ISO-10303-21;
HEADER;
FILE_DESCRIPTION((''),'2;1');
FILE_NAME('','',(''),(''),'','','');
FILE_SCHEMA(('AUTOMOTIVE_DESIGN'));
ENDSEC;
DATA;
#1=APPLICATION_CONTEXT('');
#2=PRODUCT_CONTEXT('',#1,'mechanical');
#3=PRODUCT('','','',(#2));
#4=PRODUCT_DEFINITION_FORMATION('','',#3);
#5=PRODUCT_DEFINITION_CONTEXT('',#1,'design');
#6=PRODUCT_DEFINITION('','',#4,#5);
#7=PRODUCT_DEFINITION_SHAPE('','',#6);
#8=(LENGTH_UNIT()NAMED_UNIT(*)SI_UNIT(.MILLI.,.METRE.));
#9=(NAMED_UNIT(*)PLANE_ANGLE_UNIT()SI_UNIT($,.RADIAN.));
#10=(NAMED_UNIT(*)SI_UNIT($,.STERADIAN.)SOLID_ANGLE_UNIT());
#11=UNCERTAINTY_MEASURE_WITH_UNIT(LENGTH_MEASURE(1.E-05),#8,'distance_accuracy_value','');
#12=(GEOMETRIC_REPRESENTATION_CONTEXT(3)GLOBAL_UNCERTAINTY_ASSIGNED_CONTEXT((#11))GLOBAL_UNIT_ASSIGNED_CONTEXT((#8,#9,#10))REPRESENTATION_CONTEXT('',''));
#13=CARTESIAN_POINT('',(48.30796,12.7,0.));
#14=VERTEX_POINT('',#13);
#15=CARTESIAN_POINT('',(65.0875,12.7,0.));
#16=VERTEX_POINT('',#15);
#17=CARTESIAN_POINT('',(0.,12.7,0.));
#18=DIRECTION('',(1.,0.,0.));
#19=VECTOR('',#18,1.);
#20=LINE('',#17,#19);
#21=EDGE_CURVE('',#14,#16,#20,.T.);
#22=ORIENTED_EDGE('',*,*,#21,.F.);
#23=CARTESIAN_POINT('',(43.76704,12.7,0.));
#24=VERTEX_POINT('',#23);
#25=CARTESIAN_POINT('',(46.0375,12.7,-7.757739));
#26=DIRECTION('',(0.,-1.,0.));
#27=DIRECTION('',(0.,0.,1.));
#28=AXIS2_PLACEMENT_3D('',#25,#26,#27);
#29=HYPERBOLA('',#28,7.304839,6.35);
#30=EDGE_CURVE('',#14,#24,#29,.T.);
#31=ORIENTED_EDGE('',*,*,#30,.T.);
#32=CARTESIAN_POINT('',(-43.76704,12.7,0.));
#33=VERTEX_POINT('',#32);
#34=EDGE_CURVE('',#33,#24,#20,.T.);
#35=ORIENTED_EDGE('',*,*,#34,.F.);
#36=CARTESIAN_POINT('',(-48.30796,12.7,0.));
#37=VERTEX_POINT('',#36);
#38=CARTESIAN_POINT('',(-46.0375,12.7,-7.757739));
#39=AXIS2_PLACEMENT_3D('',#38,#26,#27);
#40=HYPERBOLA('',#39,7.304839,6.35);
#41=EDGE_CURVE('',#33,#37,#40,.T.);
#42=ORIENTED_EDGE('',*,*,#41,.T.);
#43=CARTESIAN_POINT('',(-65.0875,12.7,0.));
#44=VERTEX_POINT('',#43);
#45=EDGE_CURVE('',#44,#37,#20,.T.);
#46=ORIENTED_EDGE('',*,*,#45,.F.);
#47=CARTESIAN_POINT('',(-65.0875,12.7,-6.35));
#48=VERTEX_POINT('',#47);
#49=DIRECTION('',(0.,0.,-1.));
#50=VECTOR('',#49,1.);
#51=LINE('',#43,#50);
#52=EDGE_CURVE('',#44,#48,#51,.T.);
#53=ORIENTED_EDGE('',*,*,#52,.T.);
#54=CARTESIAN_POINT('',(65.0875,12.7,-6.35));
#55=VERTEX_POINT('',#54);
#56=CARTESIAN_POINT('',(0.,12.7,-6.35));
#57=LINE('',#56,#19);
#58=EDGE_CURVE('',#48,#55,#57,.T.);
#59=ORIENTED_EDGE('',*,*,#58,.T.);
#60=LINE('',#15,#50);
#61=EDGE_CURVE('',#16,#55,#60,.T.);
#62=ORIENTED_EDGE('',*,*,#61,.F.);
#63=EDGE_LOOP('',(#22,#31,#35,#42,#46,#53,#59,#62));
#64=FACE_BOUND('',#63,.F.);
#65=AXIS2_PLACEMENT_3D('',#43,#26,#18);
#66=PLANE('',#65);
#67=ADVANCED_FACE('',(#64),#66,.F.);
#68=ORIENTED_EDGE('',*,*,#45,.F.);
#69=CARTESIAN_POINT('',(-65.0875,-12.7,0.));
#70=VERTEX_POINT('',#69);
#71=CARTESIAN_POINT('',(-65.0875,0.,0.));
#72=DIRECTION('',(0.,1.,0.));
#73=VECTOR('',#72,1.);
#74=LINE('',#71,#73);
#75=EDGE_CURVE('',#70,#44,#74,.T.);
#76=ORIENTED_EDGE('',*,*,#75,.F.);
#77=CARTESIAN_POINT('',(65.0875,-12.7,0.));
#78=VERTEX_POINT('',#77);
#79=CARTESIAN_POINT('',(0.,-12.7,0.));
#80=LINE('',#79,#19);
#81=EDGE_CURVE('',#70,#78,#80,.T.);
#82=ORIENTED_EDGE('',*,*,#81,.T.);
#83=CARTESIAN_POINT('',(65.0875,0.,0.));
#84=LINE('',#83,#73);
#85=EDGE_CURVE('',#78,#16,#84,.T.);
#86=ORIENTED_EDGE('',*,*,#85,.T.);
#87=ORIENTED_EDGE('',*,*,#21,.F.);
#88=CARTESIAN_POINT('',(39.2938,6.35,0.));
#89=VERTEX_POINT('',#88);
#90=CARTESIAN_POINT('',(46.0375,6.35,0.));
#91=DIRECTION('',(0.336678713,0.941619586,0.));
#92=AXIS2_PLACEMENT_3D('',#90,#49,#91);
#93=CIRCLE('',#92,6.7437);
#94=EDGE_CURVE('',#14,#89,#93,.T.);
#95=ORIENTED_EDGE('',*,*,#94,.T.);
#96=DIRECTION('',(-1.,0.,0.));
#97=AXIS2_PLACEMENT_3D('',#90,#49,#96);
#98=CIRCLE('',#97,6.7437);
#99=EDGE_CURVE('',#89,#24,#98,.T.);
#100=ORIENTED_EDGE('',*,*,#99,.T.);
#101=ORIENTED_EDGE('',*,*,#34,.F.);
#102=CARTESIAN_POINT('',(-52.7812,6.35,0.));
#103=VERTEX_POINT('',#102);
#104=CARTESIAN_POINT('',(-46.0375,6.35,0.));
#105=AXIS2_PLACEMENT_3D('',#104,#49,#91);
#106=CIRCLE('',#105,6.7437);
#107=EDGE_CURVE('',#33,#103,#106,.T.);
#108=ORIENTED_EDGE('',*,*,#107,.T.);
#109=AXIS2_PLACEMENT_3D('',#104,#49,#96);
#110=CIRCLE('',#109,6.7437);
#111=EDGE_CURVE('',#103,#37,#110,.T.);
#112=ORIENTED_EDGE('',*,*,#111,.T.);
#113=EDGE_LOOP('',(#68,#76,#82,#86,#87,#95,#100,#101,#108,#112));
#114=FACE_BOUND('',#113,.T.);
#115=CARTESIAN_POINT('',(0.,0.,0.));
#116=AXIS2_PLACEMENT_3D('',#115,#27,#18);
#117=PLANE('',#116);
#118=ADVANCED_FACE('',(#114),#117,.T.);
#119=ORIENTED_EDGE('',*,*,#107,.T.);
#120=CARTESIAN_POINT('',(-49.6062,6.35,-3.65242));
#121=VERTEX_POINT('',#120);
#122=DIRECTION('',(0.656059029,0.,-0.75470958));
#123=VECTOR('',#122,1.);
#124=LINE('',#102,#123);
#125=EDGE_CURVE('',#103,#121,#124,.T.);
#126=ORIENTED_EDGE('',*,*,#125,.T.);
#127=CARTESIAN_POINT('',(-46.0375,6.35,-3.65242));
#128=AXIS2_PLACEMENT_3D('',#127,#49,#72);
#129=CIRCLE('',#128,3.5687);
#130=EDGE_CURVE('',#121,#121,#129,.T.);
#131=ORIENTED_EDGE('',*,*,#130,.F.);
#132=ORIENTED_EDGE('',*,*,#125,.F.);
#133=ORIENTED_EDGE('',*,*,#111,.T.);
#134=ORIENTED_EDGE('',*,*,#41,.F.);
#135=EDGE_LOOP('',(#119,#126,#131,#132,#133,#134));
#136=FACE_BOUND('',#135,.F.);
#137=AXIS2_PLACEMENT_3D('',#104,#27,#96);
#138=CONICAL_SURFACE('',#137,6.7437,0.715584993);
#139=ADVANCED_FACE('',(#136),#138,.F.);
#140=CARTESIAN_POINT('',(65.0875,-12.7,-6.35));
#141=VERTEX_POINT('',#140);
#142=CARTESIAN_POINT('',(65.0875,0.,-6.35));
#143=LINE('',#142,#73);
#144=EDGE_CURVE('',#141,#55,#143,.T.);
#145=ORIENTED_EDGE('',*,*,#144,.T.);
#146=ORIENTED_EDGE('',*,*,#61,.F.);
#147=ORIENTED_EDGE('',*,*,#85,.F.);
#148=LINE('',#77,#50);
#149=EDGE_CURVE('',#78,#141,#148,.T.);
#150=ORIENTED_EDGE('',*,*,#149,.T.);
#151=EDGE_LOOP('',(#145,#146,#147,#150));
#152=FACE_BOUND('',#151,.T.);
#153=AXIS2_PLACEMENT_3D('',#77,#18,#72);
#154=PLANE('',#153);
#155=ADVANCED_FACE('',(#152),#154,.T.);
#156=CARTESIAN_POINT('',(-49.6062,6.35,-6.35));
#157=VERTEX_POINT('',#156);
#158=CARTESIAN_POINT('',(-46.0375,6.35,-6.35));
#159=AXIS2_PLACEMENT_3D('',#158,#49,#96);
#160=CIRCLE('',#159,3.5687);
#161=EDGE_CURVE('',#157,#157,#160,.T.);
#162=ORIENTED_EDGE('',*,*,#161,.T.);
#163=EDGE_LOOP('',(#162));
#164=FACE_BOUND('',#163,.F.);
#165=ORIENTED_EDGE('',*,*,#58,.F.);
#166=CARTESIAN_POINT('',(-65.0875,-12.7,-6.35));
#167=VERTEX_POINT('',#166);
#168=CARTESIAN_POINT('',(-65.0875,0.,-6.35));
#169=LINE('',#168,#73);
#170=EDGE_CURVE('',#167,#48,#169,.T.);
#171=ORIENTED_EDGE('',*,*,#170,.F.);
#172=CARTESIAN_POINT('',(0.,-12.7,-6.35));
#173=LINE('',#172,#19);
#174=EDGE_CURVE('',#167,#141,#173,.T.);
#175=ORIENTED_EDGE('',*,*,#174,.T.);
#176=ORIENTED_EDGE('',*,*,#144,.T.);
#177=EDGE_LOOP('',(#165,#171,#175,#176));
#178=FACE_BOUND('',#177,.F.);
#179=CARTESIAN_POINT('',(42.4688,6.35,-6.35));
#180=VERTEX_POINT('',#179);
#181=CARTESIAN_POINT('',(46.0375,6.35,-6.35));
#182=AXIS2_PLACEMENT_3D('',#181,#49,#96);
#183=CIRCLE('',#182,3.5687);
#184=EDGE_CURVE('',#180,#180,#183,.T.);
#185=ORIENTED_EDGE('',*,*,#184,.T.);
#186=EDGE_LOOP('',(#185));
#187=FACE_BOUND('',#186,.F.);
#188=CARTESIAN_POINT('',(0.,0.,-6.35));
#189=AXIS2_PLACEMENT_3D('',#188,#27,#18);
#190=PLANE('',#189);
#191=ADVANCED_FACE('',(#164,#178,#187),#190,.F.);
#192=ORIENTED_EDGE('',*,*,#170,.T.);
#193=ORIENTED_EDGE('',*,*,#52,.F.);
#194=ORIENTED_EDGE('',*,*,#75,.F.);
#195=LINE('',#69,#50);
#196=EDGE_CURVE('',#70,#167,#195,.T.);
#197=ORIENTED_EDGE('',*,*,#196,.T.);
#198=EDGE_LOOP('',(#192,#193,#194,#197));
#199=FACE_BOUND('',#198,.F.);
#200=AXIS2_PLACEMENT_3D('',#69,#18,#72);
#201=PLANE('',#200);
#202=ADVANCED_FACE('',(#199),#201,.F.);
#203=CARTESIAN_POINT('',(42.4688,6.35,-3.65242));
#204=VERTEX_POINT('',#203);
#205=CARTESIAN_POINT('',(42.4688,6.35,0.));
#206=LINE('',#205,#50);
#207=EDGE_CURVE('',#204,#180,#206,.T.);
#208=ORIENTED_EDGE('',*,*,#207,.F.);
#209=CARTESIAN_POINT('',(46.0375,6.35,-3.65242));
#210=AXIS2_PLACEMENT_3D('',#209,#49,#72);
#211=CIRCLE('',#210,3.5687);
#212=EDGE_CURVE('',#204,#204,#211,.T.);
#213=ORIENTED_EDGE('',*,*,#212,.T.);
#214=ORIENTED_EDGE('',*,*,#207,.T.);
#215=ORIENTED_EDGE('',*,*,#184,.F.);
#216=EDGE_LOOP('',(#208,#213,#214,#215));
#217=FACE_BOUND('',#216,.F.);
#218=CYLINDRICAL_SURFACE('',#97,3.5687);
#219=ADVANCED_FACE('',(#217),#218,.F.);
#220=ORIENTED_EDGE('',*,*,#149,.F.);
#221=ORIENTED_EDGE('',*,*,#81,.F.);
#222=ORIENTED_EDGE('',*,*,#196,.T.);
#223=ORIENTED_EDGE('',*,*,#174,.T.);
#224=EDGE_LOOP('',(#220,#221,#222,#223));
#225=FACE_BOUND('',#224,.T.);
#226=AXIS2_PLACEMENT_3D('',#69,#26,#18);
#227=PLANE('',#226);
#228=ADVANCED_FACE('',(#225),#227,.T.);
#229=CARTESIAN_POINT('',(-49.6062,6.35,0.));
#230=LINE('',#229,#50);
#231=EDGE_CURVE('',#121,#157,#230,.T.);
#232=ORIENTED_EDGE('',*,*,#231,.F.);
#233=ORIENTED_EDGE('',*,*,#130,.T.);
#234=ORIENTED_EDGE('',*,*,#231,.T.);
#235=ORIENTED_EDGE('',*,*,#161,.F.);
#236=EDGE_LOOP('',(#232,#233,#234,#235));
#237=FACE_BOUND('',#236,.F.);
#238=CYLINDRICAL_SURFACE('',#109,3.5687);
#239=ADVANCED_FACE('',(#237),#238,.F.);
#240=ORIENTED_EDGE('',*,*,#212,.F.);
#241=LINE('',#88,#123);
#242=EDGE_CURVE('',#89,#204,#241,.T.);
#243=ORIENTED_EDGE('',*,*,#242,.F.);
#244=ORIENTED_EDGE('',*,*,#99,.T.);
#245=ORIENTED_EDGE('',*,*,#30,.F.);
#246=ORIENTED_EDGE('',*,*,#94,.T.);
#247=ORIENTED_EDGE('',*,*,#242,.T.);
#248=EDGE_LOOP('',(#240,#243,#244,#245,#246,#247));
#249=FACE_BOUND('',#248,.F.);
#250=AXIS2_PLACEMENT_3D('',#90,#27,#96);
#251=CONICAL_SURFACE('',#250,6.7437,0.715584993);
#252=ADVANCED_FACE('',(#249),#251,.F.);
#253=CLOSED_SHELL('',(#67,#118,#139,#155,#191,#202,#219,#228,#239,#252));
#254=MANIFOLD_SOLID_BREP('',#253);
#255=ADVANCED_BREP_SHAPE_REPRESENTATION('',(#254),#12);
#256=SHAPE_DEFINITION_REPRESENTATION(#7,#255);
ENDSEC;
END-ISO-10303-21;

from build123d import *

# Parameters (mm, degrees)
F0_W           = 130.175
F0_H           = 25.4
F1_DEPTH       = 6.35
F2_D           = 7.1374
F2_DEPTH       = 29.6333418
F2_CSINK_D     = 13.4874
F2_CSINK_ANGLE = 82
F2_TIP         = 2.1442912911


with BuildPart() as f1:
    # F0 (on Top) → F1 (new body)
    with BuildSketch(Plane.XY):
        Rectangle(F0_W, F0_H)
    extrude(amount=-F1_DEPTH)

    # F2
    with Locations(Plane.XY):
        with Locations((-46.0375, 6.35), (46.0375, 6.35)):
            CounterSinkHole(F2_D / 2, F2_CSINK_D / 2, depth=F2_DEPTH, counter_sink_angle=F2_CSINK_ANGLE)
            with Locations((0, 0, -(F2_DEPTH + F2_TIP / 2))):  # 118° drill point
                Cone(0, F2_D / 2, F2_TIP, mode=Mode.SUBTRACT)


solid = f1.part
